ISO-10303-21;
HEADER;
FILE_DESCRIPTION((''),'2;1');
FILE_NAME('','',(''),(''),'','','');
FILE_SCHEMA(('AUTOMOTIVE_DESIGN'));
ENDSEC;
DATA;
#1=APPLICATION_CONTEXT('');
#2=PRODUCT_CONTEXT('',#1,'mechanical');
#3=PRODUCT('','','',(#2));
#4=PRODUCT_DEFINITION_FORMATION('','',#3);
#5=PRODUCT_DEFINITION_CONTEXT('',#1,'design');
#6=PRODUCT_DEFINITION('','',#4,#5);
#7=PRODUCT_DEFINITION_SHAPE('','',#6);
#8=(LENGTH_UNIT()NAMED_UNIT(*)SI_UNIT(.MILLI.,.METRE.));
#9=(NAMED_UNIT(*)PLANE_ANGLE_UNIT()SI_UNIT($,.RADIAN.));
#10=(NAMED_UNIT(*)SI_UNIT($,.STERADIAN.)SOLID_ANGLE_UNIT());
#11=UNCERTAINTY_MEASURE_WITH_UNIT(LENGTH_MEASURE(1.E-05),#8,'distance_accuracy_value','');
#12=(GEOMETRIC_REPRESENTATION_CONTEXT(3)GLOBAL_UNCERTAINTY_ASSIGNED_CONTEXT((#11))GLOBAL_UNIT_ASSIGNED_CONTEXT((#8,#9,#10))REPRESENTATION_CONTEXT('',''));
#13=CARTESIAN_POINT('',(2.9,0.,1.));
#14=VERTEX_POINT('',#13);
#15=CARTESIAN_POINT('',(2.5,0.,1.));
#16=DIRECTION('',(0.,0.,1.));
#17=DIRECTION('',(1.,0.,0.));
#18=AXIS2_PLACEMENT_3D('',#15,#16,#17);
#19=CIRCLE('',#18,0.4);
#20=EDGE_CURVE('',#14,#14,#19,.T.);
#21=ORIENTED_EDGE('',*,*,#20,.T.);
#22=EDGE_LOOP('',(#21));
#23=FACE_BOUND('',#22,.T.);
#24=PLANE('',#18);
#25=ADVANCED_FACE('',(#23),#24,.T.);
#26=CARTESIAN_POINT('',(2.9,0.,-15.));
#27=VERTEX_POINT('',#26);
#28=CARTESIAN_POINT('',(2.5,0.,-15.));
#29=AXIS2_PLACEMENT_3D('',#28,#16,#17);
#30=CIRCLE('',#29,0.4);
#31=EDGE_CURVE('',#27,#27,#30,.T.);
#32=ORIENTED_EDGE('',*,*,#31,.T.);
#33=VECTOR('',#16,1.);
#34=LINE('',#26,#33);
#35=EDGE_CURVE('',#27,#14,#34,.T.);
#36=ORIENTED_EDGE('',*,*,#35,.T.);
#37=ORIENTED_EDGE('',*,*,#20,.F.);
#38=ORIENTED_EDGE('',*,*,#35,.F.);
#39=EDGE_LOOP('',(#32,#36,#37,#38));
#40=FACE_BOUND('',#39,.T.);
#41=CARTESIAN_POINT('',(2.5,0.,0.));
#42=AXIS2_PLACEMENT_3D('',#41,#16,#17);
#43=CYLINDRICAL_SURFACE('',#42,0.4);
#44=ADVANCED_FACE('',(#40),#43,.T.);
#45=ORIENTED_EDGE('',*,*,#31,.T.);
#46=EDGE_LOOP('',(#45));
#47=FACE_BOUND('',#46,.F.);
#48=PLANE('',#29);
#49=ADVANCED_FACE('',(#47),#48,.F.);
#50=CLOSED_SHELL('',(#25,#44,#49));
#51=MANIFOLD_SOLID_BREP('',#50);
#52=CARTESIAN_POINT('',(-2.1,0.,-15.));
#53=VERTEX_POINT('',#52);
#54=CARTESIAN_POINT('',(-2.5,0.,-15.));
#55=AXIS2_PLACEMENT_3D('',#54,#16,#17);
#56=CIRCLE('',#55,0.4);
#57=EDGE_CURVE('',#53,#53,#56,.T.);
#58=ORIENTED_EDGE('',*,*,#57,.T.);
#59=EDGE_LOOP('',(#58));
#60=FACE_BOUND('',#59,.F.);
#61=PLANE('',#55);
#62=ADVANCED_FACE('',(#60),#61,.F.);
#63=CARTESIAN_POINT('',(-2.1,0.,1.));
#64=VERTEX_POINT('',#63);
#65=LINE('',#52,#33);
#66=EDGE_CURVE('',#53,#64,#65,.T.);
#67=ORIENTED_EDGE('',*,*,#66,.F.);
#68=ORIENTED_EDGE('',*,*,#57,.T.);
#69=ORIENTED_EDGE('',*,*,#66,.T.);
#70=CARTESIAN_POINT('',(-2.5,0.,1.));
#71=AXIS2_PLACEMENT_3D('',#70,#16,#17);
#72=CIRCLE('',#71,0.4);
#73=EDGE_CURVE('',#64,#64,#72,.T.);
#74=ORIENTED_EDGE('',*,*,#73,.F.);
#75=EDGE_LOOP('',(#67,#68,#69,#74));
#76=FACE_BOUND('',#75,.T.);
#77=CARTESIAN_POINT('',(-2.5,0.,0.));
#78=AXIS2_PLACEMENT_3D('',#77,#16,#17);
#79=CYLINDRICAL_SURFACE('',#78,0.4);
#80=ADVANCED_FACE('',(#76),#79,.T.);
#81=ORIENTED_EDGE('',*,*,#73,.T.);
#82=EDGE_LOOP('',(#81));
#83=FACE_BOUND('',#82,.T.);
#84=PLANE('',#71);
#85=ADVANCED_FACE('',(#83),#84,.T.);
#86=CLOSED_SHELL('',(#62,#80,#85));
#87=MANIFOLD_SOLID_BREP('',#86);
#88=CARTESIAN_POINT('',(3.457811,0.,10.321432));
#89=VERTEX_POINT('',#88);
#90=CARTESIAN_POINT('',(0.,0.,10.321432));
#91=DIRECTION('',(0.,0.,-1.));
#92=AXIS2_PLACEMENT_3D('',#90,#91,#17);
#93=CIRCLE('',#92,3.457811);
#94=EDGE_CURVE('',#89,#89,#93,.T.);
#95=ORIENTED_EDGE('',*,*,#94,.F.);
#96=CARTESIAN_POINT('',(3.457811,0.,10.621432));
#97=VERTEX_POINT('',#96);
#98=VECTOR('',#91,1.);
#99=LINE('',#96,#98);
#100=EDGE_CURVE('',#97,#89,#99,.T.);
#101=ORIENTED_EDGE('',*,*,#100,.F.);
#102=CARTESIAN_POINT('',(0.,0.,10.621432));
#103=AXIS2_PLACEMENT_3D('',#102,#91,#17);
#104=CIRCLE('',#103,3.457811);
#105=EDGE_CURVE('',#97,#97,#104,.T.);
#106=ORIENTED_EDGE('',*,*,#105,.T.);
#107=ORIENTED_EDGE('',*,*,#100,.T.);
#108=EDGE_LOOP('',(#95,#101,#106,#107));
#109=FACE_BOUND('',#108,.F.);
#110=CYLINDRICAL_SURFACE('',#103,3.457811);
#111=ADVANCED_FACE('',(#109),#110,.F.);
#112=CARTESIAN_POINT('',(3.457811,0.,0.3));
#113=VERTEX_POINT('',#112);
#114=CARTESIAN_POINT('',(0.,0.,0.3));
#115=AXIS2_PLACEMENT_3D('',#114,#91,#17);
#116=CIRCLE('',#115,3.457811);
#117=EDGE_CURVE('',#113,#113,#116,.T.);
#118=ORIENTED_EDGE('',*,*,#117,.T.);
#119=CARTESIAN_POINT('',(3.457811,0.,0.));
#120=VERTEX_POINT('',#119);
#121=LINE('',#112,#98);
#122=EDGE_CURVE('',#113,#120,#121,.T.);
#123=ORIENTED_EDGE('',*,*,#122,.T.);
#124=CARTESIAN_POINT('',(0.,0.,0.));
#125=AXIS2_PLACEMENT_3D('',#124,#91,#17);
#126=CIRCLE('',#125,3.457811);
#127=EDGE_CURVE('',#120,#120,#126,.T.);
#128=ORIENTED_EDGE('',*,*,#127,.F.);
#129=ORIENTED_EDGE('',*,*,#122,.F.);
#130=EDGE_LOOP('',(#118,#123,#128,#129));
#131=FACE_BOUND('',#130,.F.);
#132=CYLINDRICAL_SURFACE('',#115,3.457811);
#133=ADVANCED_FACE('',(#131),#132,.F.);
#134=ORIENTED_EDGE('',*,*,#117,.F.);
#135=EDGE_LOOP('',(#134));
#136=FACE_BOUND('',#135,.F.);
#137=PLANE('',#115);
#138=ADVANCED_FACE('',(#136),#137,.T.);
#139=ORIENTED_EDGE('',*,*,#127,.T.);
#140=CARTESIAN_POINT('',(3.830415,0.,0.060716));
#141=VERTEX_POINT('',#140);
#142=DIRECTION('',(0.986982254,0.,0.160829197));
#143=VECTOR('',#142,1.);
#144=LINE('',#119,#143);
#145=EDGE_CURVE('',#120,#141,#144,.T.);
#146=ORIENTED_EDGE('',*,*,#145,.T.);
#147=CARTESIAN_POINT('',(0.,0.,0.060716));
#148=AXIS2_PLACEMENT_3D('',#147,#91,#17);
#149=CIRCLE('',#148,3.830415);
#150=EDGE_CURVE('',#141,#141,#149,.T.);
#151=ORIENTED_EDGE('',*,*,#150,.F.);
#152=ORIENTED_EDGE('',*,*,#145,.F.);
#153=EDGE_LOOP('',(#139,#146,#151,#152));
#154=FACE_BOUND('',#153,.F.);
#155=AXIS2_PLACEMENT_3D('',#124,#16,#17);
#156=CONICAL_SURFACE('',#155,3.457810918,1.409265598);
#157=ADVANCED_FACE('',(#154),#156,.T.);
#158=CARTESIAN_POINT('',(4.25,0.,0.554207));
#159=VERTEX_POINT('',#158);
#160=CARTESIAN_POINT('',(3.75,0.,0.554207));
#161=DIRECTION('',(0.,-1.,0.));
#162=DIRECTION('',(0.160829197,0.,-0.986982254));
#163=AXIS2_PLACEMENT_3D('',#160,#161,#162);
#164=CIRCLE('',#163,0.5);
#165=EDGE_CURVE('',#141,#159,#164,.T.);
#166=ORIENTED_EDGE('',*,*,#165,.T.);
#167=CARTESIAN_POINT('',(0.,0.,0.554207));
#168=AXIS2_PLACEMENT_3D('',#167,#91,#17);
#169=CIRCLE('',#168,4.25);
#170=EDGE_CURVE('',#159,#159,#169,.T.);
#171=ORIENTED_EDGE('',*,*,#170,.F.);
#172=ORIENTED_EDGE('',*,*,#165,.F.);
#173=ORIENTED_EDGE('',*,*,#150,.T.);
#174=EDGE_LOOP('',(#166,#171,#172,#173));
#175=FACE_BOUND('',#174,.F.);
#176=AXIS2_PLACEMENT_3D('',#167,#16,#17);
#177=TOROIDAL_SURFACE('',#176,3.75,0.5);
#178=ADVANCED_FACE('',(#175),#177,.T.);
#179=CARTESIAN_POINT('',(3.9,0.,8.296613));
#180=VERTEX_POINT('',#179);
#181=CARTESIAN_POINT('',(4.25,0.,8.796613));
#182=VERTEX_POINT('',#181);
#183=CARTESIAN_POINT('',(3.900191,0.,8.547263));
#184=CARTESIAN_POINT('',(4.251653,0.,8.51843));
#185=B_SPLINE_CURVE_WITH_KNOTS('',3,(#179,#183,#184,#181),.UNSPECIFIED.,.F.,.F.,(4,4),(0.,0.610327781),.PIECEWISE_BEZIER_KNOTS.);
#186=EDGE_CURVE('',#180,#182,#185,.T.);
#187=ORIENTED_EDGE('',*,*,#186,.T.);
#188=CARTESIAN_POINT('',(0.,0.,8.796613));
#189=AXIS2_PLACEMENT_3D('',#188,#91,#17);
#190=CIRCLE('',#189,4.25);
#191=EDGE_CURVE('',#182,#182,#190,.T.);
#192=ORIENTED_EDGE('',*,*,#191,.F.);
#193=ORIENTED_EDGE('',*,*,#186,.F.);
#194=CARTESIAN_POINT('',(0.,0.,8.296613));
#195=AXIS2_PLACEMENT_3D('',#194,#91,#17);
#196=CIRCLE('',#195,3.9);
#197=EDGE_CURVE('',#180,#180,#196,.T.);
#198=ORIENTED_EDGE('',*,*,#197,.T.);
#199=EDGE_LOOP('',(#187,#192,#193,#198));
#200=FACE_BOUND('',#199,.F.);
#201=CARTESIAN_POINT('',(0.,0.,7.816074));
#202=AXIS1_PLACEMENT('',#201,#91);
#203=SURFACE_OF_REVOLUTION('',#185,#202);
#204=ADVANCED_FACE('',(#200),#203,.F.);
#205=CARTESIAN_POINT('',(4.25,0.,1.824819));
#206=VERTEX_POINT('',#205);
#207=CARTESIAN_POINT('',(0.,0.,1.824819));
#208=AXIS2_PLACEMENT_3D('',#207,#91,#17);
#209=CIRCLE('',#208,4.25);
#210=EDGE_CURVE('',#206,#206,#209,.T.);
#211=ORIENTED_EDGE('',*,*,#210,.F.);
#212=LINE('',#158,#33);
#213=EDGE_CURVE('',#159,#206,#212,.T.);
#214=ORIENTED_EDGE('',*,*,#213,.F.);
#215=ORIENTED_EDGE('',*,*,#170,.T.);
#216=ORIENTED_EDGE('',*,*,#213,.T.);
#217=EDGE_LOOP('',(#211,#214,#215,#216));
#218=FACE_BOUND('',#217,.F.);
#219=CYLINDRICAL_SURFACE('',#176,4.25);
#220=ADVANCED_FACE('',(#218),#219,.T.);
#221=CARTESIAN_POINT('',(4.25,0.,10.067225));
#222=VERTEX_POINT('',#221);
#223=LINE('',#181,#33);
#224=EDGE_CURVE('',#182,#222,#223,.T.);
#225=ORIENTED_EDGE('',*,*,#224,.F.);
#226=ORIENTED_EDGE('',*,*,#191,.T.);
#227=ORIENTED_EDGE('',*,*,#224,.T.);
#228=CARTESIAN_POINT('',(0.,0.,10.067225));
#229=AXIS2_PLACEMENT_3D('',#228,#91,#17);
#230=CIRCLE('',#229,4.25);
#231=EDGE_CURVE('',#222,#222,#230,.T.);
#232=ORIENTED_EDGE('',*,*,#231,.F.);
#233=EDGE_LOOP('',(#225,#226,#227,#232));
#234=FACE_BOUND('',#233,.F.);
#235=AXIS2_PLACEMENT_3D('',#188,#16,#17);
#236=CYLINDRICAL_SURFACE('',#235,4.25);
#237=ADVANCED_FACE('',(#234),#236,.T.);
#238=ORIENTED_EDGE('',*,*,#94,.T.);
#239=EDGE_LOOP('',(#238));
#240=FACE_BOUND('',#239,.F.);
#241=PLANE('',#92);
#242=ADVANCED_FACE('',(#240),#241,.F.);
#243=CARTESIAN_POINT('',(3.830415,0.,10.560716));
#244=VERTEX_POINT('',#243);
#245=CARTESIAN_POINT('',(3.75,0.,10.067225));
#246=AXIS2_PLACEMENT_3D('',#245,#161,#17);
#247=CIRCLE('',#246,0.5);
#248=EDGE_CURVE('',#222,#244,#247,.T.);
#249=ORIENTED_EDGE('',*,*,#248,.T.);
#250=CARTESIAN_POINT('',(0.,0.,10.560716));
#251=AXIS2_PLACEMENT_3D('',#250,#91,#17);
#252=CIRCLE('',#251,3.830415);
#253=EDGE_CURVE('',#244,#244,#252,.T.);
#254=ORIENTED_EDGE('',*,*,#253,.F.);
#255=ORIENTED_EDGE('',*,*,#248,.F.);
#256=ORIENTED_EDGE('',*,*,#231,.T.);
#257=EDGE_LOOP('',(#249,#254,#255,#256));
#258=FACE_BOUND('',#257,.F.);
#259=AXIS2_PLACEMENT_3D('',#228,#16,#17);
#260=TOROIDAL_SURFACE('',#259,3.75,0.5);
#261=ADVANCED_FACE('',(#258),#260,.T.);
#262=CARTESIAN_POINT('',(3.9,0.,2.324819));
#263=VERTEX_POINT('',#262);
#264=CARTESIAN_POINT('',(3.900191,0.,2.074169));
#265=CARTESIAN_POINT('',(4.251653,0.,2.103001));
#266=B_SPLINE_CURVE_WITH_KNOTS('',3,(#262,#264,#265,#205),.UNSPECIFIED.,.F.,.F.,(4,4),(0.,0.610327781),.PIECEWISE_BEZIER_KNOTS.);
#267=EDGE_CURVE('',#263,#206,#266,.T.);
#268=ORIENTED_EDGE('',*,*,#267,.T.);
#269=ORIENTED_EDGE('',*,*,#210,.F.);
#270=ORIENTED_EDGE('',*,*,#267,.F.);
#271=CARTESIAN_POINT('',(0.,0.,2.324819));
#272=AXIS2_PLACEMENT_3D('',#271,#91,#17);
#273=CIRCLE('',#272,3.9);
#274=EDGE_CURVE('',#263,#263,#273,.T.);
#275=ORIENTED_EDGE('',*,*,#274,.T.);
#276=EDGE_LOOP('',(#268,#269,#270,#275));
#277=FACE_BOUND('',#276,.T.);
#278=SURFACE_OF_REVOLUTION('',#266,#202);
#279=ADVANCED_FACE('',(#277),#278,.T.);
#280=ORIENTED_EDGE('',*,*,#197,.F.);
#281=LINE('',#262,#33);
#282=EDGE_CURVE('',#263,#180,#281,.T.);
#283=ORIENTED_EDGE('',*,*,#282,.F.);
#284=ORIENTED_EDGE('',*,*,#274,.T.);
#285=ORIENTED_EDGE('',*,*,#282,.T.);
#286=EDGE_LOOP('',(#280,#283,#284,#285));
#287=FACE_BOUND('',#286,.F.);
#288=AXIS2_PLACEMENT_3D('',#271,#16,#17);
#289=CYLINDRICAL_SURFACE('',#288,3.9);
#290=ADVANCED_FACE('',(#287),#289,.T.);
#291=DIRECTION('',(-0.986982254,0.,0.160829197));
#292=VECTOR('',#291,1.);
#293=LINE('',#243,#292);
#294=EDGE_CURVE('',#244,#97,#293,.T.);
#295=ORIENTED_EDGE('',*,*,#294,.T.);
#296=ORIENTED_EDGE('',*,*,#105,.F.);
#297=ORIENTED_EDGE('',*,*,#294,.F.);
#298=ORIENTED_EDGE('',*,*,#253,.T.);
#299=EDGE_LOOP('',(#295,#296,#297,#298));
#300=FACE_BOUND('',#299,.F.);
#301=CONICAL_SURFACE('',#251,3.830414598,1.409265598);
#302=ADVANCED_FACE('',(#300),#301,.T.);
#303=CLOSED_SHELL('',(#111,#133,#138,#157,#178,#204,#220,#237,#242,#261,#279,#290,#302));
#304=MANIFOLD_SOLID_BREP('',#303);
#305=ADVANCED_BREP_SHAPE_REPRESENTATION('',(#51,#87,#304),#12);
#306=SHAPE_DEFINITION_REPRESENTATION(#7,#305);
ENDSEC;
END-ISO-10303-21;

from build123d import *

# Parameters (mm, degrees)
F1_R          = 0.4
F2_DEPTH      = 1
F2_DEPTH_BACK = 15


with BuildPart() as f2:
    # F1 (on Top) → F2 (new body, two sides)
    with BuildSketch(Plane.XY) as f2_sk:
        with Locations((-2.5, 0)):
            Circle(F1_R)
    extrude(amount=F2_DEPTH)
    extrude(f2_sk.sketch, amount=-F2_DEPTH_BACK)


with BuildPart() as f2b:
    # F1 (on Top) → F2, piece 2 (new body, two sides)
    with BuildSketch(Plane.XY) as f2_2_sk:
        with BuildLine():
            ThreePointArc((2.1, 0), (2.5, -0.4), (2.9, 0))
            ThreePointArc((2.9, 0), (2.5, 0.4), (2.1, 0))
        make_face()
    extrude(amount=F2_DEPTH)
    extrude(f2_2_sk.sketch, amount=-F2_DEPTH_BACK)


with BuildPart() as f3:
    # F0 (on Front) → F3 (revolve)
    with BuildSketch(Plane.XZ):
        with BuildLine():
            Line((3.4578109179, 10.3214318706), (0, 10.3214318706))
            Line((0, 10.3214318706), (0, 5.3107159353))
            Line((0, 5.3107159353), (3.9, 5.3107159353))
            Line((3.9, 5.3107159353), (3.9, 8.2966128872))
            add(Edge.make_bspline(
                [(3.9, 8.2966128872), (3.9001910482, 8.54726322), (4.2516529998, 8.5184304044), (4.25, 8.7966128872)],
                knots=[0, 0, 0, 0, 0.6103277808, 0.6103277808, 0.6103277808, 0.6103277808], degree=3))
            Line((4.25, 8.7966128872), (4.25, 10.0672248083))
            ThreePointArc((4.25, 10.0672248083), (4.1309247296, 10.391101869), (3.8304145984, 10.5607159353))
            Line((3.8304145984, 10.5607159353), (3.4578109179, 10.6214318706))
            Line((3.4578109179, 10.6214318706), (3.4578109179, 10.3214318706))
        make_face()
        with BuildLine():
            Line((3.9, 5.3107159353), (0, 5.3107159353))
            Line((0, 5.3107159353), (0, 0.3))
            Line((0, 0.3), (3.4578109179, 0.3))
            Line((3.4578109179, 0.3), (3.4578109179, 0))
            Line((3.4578109179, 0), (3.8304145984, 0.0607159353))
            ThreePointArc((3.8304145984, 0.0607159353), (4.1309247296, 0.2303300016), (4.25, 0.5542070622))
            Line((4.25, 0.5542070622), (4.25, 1.8248189834))
            add(Edge.make_bspline(
                [(3.9, 2.3248189834), (3.9001910482, 2.0741686506), (4.2516529998, 2.1030014662), (4.25, 1.8248189834)],
                knots=[0, 0, 0, 0, 0.6103277808, 0.6103277808, 0.6103277808, 0.6103277808], degree=3))
            Line((3.9, 2.3248189834), (3.9, 5.3107159353))
        make_face()
    revolve(axis=Axis((0, 0, 7.8160739029), (0, 0, -1)))


solid = Compound([f2.part, f2b.part, f3.part])
